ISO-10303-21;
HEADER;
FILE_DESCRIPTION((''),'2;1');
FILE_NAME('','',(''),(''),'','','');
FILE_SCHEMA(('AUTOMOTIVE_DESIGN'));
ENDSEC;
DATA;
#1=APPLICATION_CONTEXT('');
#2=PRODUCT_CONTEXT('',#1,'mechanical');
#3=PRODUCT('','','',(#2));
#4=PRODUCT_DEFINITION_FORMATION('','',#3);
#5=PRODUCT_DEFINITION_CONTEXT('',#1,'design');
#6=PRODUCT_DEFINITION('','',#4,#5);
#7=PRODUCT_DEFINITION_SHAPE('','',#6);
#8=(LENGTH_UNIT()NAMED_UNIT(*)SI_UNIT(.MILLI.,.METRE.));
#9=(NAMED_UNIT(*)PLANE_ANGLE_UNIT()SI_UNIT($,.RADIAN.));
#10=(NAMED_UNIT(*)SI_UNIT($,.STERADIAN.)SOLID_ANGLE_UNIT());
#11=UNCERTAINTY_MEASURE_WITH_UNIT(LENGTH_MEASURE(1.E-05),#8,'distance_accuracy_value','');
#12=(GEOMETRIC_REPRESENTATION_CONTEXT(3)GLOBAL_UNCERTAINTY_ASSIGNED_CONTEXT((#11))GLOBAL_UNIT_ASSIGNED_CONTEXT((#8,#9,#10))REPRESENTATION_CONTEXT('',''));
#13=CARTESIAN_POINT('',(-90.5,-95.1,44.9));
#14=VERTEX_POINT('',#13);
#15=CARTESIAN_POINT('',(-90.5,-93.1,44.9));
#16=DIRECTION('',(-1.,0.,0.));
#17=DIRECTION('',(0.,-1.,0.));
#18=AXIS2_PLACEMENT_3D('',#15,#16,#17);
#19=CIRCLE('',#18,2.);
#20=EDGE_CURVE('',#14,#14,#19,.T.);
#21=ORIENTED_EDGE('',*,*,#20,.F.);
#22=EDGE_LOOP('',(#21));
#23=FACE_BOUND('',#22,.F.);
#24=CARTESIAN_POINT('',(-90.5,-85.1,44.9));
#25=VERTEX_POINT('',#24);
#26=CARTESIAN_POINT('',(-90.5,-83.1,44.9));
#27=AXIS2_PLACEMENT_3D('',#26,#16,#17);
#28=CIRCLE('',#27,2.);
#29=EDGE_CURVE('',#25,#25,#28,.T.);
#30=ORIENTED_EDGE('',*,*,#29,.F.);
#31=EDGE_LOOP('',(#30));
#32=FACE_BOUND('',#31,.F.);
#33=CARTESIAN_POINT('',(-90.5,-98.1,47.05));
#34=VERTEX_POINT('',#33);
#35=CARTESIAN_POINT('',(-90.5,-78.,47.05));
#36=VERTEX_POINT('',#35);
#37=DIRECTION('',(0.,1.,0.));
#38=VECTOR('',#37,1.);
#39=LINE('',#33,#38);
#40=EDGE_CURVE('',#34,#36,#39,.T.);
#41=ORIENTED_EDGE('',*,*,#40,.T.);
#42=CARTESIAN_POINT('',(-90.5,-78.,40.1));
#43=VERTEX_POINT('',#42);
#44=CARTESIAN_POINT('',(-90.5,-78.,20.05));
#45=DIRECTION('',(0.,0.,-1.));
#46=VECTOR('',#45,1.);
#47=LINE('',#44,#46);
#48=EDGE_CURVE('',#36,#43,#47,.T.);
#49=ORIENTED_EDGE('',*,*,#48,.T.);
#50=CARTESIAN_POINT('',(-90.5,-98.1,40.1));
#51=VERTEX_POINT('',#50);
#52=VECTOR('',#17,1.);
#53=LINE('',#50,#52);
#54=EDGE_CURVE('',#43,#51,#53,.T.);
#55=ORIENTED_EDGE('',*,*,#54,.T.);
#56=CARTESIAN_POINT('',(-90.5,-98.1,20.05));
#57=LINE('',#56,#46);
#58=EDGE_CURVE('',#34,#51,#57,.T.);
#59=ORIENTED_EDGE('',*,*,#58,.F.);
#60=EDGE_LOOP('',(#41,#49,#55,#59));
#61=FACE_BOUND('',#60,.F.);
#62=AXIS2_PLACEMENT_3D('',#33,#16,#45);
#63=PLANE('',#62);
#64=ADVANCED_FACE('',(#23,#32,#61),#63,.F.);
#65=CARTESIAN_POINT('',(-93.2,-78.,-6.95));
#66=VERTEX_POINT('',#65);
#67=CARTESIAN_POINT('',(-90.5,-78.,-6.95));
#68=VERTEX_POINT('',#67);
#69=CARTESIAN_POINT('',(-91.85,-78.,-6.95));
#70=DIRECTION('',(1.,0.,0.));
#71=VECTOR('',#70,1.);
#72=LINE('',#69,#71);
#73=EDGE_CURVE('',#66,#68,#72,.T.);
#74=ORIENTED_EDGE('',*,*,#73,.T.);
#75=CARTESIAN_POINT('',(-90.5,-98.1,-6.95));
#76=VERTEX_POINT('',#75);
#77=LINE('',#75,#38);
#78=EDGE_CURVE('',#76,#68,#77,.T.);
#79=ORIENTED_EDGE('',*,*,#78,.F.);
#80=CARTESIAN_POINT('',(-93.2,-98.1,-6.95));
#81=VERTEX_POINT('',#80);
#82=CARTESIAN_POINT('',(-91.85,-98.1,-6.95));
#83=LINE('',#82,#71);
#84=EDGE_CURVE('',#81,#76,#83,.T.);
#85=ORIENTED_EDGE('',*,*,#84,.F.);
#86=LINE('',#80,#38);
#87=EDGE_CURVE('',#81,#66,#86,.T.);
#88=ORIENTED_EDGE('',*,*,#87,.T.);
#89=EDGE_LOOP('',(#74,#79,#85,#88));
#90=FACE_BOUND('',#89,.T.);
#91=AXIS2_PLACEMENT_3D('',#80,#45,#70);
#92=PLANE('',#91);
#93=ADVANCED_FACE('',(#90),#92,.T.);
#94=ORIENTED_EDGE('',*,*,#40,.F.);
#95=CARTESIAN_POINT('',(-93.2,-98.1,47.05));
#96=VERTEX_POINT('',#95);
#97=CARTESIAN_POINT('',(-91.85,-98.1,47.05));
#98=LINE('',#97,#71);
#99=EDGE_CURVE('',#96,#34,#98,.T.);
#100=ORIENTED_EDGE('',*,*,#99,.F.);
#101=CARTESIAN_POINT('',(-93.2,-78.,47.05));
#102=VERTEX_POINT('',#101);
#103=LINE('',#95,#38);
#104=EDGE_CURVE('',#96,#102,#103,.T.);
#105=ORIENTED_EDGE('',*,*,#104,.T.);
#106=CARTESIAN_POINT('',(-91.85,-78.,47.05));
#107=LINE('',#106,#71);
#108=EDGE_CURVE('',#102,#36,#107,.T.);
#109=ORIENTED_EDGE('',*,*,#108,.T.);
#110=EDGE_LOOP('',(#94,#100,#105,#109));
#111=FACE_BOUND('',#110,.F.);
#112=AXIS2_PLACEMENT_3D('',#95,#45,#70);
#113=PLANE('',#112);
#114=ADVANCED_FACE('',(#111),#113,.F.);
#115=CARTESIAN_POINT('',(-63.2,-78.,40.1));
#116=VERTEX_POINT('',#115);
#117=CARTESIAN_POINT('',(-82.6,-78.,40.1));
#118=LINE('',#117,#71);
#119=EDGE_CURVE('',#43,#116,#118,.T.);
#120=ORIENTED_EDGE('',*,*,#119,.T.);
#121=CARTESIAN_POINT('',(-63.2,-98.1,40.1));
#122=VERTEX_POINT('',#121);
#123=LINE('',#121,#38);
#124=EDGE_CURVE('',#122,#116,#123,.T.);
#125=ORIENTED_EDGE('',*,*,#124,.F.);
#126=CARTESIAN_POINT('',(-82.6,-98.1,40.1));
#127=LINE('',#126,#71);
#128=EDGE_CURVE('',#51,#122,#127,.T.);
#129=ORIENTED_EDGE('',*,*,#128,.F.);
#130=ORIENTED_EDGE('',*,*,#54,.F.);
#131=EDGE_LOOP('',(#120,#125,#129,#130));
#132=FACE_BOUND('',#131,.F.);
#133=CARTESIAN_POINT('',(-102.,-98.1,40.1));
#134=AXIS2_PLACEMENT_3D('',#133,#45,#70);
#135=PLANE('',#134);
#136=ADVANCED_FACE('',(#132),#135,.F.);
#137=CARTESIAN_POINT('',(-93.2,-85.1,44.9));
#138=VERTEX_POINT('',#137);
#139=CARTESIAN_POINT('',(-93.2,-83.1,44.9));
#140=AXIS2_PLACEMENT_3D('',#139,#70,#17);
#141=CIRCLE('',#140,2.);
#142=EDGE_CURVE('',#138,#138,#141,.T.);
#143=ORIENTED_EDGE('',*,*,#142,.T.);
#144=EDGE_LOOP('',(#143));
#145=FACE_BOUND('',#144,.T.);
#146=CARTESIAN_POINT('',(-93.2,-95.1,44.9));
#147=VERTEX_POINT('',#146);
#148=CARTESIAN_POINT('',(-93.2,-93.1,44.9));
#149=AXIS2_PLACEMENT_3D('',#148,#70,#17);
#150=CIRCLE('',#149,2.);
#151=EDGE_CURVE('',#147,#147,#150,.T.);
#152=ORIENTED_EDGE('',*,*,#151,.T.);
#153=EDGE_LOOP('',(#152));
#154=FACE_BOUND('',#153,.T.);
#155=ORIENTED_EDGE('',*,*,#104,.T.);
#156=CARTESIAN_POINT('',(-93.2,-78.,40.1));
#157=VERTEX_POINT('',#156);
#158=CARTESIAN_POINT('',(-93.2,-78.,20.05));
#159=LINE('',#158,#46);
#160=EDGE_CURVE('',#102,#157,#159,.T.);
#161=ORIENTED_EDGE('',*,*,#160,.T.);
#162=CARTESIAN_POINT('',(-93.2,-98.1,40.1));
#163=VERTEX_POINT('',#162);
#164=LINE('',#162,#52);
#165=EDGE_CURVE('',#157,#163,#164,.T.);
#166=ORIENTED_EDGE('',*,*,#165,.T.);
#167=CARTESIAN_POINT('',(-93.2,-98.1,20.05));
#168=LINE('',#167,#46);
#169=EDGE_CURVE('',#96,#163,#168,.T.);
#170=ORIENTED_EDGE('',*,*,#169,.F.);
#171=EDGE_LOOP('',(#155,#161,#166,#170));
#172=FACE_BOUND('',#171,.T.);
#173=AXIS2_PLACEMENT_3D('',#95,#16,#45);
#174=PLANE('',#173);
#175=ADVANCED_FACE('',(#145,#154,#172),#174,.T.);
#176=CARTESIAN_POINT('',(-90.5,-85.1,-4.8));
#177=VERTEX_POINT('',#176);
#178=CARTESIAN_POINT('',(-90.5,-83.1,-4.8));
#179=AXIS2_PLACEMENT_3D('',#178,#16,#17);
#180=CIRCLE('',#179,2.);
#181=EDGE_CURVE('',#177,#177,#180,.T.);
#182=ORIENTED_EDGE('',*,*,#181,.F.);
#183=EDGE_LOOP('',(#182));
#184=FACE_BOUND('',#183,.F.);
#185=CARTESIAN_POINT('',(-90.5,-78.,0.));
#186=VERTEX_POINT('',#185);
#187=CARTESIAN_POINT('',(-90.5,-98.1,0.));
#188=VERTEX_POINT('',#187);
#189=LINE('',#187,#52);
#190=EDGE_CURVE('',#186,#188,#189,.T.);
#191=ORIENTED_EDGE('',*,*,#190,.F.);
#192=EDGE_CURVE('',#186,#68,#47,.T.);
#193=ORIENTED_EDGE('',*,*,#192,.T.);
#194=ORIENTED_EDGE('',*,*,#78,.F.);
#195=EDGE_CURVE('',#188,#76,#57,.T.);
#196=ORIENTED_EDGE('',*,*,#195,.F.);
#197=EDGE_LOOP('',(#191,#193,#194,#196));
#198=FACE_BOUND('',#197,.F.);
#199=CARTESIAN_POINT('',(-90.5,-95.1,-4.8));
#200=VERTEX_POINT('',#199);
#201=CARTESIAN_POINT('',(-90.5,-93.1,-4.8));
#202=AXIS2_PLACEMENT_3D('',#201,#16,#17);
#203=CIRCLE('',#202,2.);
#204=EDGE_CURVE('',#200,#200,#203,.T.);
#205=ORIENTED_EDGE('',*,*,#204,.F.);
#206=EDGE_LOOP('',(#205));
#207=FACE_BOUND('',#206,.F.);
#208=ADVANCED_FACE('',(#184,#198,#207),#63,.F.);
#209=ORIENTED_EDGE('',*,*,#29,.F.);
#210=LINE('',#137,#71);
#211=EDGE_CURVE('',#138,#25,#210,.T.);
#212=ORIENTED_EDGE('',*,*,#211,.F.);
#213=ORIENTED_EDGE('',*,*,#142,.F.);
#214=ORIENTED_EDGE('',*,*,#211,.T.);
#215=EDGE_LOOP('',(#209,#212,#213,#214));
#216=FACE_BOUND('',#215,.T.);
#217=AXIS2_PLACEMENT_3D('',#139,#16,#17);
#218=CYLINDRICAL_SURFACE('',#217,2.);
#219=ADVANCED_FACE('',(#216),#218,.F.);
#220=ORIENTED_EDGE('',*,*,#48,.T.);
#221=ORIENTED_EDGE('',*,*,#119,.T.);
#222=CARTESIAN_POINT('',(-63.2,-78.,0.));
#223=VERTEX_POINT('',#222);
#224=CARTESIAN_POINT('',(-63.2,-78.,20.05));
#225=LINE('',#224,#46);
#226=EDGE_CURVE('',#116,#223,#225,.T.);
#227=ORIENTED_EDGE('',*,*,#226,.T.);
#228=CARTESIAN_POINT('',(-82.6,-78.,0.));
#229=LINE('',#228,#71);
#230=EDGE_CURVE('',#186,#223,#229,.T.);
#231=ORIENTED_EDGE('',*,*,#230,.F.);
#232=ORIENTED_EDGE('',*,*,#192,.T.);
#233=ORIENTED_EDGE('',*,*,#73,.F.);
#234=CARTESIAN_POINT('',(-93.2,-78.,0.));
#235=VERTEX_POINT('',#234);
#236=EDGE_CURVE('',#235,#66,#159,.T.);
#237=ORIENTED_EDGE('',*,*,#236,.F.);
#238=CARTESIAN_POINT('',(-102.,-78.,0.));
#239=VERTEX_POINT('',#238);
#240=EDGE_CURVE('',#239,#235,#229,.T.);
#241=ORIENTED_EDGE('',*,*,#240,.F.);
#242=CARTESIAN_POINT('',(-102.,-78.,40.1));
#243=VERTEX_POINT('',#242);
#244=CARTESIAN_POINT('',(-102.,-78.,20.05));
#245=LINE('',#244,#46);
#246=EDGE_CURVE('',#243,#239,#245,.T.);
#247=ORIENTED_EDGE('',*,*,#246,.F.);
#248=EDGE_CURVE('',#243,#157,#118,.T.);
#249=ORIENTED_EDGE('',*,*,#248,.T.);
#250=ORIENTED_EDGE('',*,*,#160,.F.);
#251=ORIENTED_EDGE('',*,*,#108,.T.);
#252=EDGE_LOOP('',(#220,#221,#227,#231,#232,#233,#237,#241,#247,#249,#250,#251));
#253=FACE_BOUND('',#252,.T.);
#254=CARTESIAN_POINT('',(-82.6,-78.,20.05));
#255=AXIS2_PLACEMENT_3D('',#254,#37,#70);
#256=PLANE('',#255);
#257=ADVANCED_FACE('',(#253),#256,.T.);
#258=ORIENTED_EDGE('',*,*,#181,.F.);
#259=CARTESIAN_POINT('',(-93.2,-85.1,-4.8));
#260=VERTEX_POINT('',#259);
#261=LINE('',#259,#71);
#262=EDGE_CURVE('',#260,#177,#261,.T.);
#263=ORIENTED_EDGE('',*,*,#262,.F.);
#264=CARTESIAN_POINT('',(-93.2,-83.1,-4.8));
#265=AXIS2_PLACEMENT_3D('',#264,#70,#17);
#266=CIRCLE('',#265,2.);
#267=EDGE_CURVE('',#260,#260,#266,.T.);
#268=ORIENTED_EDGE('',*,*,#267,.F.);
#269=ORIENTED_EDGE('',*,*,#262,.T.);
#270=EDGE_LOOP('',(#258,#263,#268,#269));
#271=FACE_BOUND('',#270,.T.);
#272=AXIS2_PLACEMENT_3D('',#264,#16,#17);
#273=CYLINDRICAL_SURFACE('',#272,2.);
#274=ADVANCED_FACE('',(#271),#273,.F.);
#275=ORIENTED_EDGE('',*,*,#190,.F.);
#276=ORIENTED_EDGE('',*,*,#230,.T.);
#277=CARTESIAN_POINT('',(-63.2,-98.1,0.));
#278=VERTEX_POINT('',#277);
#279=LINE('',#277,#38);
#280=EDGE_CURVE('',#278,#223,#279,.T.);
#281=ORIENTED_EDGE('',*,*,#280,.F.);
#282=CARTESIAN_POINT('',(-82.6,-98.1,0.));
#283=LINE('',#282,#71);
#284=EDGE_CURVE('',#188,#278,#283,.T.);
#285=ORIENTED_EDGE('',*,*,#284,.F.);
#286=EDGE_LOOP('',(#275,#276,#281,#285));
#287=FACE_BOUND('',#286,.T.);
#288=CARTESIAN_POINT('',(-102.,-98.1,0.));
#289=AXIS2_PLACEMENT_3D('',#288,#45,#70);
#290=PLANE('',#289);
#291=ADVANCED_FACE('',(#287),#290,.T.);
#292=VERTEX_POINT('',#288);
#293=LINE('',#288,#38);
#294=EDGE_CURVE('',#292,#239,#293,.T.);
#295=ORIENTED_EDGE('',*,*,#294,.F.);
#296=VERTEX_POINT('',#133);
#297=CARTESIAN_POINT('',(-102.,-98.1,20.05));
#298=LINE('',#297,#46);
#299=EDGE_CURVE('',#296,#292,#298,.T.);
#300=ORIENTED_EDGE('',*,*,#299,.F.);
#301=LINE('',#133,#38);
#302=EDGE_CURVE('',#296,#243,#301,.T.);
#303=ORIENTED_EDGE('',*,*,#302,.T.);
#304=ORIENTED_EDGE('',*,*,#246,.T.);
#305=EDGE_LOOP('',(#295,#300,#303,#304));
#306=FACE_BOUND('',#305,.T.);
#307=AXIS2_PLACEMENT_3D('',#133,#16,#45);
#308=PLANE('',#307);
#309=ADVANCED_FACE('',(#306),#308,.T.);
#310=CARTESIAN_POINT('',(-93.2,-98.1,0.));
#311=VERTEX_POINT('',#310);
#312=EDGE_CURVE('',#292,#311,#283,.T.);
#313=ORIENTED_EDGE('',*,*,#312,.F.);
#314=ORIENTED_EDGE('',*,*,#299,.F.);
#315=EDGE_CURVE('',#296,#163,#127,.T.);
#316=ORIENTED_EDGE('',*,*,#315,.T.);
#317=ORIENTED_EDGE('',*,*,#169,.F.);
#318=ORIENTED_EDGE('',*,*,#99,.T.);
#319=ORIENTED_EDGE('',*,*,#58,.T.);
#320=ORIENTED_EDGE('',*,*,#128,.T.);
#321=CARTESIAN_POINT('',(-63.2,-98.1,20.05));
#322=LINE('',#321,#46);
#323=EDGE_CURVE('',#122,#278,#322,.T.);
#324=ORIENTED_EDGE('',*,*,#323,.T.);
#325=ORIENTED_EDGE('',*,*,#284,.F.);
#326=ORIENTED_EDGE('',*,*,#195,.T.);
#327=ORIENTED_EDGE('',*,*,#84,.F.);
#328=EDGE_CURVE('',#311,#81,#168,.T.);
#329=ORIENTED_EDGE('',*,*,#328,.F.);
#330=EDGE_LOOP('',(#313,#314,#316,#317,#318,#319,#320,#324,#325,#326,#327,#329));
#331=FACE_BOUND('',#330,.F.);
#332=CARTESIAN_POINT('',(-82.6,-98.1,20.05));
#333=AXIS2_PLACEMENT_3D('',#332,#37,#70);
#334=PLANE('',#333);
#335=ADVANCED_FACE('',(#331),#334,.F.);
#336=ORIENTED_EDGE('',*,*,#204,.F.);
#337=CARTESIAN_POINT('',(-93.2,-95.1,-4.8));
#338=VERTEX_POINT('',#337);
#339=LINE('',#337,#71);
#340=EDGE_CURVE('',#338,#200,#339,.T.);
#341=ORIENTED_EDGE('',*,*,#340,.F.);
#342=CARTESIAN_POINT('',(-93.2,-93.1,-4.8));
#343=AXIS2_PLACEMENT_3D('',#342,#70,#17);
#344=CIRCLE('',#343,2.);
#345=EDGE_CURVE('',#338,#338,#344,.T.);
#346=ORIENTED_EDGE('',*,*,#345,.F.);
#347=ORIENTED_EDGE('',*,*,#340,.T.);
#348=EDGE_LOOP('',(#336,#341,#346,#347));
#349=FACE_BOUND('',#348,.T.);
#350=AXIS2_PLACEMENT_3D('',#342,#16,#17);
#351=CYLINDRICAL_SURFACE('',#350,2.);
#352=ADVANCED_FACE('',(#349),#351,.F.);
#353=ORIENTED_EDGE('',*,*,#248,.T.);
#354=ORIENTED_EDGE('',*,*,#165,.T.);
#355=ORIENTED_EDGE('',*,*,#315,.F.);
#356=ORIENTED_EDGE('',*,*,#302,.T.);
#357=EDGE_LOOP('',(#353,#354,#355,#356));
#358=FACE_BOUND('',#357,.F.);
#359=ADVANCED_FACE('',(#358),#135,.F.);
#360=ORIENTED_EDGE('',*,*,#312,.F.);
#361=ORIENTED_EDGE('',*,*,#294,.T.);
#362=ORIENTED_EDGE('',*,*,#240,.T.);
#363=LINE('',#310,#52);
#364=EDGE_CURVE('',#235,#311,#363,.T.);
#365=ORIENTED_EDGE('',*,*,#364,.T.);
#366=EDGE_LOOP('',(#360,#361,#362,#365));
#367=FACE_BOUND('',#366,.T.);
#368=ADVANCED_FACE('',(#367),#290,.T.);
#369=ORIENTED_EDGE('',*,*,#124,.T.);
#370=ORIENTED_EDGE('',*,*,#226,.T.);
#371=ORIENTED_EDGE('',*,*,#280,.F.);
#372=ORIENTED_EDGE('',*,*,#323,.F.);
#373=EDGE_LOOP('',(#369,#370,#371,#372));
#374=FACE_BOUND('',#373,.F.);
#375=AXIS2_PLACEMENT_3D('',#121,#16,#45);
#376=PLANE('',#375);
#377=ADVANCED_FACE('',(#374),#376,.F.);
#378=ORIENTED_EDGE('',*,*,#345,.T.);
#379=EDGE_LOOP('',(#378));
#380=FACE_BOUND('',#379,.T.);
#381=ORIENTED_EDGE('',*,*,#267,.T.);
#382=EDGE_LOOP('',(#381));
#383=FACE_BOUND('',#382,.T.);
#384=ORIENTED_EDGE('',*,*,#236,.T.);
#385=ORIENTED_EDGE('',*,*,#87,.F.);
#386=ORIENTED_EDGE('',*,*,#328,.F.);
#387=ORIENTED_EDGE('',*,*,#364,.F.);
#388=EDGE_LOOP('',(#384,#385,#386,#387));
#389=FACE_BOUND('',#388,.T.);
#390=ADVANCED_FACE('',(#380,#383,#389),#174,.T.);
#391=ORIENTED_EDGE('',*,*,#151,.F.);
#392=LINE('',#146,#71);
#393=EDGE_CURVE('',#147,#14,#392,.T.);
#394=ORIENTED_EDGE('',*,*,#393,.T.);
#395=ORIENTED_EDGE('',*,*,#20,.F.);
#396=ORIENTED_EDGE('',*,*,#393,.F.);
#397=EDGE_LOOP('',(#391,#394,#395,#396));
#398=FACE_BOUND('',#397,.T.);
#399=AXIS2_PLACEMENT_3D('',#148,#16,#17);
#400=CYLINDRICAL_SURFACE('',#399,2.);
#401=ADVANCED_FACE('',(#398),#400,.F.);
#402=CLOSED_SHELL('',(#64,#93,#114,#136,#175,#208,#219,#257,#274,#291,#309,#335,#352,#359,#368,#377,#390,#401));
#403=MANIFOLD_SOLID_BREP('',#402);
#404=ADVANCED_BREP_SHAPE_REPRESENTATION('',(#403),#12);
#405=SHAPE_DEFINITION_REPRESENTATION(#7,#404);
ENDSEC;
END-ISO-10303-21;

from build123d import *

# Parameters (mm, degrees)
CYLINDER178_R          = 2
CYLINDER178_DEPTH      = 20
CYLINDER177_R          = 2
CYLINDER177_DEPTH      = 20
CYLINDER175_R          = 2
CYLINDER175_DEPTH      = 20
CYLINDER176_R          = 2
CYLINDER176_DEPTH      = 20
BOX069_W               = 38.8
BOX069_H               = 40.1
BOX069_DEPTH           = 20.1
BOX084_W               = 2.7
BOX084_H               = 54
BOX084_DEPTH           = 20.1
CUT131_PLACEMENT_ANGLE = 90


with BuildPart() as cylinder178:
    # Cylinder178 → Cylinder178 (new body)
    with BuildSketch(Plane(origin=(-97.2, -71.8, 5), x_dir=(0, 0, -1), z_dir=(1, 0, 0))):
        Circle(CYLINDER178_R)
    extrude(amount=CYLINDER178_DEPTH)


with BuildPart() as cylinder177:
    # Cylinder177 → Cylinder177 (new body)
    with BuildSketch(Plane(origin=(-97.2, -71.8, 15), x_dir=(0, 0, -1), z_dir=(1, 0, 0))):
        Circle(CYLINDER177_R)
    extrude(amount=CYLINDER177_DEPTH)


with BuildPart() as cylinder175:
    # Cylinder175 → Cylinder175 (new body)
    with BuildSketch(Plane(origin=(-97.2, -22.1, 5), x_dir=(0, 0, -1), z_dir=(1, 0, 0))):
        Circle(CYLINDER175_R)
    extrude(amount=CYLINDER175_DEPTH)


with BuildPart() as cylinder176:
    # Cylinder176 → Cylinder176 (new body)
    with BuildSketch(Plane(origin=(-97.2, -22.1, 15), x_dir=(0, 0, -1), z_dir=(1, 0, 0))):
        Circle(CYLINDER176_R)
    extrude(amount=CYLINDER176_DEPTH)


with BuildPart() as box069:
    # Box069 → Box069 (new body)
    with BuildSketch(Plane(origin=(82, -93, 0), x_dir=(1, 0, 0), z_dir=(0, 0, 1))):
        with Locations((19.4, 20.05)):
            Rectangle(BOX069_W, BOX069_H)
    extrude(amount=BOX069_DEPTH)


with BuildPart() as cut131:
    # Box084 → Box084 (new body)
    with BuildSketch(Plane(origin=(90.8, -99.95, 0), x_dir=(1, 0, 0), z_dir=(0, 0, 1))):
        with Locations((1.35, 27)):
            Rectangle(BOX084_W, BOX084_H)
    extrude(amount=BOX084_DEPTH)

    # Fusion084: union Box069
    add(box069.part)


with BuildPart() as cut131_1:
    # Fusion084 placement: moved
    add(cut131.part.moved(Location((-188, 26, 0))))

    # Cut128: cut Cylinder176
    add(cylinder176.part, mode=Mode.SUBTRACT)

    # Cut129: cut Cylinder175
    add(cylinder175.part, mode=Mode.SUBTRACT)

    # Cut130: cut Cylinder177
    add(cylinder177.part, mode=Mode.SUBTRACT)

    # Cut131: cut Cylinder178
    add(cylinder178.part, mode=Mode.SUBTRACT)


with BuildPart() as cut131_2:
    # Cut131 placement: moved
    add(cut131_1.part.moved(Location((4, -98.1, -26.9))).rotate(Axis((4, -98.1, -26.9), (-1, 0, 0)), CUT131_PLACEMENT_ANGLE))


solid = cut131_2.part
